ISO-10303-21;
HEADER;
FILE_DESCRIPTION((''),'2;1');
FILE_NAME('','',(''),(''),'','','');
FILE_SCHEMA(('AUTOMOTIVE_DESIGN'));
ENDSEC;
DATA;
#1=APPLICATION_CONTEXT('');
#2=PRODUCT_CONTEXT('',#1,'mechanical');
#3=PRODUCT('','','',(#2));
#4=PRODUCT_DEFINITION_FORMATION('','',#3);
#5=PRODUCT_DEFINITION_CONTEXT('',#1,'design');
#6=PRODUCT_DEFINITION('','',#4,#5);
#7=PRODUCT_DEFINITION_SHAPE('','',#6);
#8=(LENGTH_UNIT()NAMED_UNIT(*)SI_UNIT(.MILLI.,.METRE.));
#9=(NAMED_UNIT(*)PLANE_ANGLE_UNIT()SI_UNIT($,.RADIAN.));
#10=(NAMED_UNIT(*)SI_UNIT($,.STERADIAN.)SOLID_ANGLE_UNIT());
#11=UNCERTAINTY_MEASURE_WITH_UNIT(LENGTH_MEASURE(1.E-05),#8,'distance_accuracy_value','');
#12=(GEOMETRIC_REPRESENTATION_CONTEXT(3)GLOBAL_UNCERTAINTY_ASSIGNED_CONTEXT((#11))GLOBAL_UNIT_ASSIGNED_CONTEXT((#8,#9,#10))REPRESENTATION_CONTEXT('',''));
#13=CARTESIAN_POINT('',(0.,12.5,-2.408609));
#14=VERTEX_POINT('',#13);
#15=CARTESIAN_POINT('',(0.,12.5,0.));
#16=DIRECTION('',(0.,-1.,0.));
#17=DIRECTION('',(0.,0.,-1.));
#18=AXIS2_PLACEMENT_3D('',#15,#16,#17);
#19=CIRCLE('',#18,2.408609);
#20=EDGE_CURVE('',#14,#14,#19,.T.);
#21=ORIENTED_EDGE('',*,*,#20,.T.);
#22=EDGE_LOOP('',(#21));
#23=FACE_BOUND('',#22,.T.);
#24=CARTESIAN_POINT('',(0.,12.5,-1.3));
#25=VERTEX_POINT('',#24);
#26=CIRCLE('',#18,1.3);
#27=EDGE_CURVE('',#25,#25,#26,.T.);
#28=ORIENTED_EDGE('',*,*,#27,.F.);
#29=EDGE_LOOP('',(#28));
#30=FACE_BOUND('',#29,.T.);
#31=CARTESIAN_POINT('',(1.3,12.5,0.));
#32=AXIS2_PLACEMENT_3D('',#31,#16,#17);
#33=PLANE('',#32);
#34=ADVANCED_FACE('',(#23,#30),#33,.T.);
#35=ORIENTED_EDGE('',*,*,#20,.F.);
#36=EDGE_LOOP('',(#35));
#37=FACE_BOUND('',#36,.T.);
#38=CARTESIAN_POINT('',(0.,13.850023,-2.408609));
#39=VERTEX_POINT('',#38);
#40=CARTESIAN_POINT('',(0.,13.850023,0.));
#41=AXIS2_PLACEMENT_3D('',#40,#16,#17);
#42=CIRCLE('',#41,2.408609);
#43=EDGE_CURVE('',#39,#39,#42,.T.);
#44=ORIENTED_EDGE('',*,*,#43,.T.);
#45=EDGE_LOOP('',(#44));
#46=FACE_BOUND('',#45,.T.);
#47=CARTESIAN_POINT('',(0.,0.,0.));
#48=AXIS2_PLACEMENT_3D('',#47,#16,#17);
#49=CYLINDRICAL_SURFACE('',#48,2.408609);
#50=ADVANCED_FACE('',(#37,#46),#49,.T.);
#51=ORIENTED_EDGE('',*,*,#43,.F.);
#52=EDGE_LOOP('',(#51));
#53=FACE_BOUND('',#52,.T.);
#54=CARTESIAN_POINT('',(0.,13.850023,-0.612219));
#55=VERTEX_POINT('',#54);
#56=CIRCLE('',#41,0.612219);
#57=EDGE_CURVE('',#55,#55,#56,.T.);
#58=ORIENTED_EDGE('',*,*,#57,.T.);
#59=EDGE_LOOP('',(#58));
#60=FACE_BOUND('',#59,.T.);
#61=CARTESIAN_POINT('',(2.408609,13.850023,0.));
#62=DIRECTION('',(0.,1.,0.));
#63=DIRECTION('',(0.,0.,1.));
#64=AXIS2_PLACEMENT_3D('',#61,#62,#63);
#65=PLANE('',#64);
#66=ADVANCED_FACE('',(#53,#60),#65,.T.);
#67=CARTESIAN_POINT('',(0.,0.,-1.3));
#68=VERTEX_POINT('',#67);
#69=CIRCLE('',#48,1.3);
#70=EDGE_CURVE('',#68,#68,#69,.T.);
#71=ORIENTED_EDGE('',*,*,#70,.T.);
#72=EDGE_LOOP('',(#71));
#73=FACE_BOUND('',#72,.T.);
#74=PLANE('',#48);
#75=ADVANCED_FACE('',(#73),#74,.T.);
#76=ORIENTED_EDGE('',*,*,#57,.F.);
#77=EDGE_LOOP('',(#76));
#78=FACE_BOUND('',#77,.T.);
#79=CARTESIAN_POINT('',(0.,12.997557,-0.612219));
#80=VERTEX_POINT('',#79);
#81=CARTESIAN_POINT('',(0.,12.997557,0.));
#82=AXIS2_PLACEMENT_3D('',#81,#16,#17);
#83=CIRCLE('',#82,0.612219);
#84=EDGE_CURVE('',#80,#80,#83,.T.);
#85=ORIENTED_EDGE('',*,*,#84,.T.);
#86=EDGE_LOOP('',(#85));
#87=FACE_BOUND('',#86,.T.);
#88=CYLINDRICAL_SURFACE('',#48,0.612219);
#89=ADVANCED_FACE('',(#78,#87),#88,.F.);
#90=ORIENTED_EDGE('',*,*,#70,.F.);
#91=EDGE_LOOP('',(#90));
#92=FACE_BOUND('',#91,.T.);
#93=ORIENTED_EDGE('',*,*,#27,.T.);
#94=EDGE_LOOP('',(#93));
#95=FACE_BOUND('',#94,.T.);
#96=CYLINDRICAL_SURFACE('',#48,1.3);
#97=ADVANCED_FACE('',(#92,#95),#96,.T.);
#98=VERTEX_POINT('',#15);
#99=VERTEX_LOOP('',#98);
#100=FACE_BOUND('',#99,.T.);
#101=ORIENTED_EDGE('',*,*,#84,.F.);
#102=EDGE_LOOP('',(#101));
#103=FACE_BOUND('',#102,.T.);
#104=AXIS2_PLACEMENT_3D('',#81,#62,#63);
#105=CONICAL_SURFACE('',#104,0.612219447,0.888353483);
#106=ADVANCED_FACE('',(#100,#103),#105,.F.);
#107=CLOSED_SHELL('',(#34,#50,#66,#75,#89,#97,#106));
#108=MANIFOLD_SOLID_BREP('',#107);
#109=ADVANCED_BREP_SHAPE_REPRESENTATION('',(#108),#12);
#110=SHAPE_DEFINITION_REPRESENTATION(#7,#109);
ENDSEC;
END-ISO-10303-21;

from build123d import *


with BuildPart() as part:
    # Sketch2 → Revolve1 (revolve)
    with BuildSketch(Plane.XY):
        Polygon((0, 0), (1.3, 0), (1.3, 12.5), (2.408609151, 12.5), (2.408609151, 13.850023297), (0.612219447, 13.850023297), (0.612219447, 12.997556671), (0, 12.5), align=None)
    revolve(axis=Axis((0, 0, 0), (0, 1, 0)))


solid = part.part
